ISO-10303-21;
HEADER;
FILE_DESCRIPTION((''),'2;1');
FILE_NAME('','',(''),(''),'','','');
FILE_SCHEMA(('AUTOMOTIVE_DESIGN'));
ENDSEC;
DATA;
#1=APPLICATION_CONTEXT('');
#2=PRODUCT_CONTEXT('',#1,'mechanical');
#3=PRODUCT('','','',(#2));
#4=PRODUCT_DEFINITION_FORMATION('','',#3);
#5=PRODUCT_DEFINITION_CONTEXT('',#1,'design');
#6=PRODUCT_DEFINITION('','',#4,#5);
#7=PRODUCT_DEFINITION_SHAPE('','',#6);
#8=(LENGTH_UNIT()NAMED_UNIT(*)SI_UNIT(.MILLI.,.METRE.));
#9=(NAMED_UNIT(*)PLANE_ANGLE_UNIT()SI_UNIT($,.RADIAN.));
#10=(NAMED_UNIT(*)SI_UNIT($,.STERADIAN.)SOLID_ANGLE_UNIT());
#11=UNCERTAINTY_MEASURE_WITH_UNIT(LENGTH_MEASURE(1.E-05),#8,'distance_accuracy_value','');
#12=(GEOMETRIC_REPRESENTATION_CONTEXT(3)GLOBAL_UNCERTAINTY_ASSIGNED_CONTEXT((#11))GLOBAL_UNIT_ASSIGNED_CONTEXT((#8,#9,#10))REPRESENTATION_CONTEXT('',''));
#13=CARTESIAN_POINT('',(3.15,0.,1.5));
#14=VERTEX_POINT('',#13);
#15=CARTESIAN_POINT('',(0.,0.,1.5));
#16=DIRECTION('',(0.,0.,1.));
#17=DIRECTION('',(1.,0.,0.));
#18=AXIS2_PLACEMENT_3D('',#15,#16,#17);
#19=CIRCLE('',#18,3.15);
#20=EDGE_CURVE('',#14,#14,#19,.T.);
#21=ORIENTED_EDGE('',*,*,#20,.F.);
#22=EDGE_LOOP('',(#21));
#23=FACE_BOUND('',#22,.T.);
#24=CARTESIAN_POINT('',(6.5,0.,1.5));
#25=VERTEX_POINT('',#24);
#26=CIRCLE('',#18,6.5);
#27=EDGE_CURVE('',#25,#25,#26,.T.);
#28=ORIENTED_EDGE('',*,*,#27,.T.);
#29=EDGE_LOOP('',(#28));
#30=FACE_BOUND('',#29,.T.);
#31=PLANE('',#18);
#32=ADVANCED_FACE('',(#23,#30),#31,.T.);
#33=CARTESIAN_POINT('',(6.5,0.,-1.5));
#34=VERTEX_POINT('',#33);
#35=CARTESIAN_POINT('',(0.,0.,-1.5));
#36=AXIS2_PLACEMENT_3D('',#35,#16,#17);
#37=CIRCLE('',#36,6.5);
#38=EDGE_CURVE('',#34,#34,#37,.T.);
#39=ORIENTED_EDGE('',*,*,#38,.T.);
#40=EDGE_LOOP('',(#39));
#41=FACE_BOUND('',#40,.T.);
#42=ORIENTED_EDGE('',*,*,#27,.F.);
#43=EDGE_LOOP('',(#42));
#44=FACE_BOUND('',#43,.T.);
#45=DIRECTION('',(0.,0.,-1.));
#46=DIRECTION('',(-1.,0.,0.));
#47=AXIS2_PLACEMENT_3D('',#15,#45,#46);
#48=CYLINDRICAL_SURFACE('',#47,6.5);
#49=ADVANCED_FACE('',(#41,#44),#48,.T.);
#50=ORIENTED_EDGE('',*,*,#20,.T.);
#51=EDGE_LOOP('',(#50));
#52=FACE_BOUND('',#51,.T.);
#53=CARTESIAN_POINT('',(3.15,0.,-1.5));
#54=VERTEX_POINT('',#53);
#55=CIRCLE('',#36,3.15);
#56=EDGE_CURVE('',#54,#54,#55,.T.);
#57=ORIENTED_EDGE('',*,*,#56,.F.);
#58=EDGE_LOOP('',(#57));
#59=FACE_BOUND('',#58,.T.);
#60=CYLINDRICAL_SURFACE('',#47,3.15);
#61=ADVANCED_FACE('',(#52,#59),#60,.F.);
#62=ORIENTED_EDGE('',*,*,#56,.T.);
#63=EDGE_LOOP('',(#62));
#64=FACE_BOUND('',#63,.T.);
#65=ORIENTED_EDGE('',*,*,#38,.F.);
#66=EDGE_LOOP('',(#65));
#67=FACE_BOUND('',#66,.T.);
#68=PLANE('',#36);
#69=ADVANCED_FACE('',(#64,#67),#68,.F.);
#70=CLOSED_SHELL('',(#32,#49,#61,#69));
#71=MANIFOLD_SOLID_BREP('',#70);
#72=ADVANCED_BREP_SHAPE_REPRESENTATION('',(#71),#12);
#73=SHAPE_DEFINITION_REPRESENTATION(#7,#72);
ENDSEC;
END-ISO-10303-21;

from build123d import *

# Parameters (mm, degrees)
SKETCH1_R      = 6.5
SKETCH1_R_2    = 3.15
EXTRUDE1_DEPTH = 1.5


with BuildPart() as part:
    # Sketch1 → Extrude1 (new body, symmetric)
    with BuildSketch(Plane.XY):
        Circle(SKETCH1_R)
        Circle(SKETCH1_R_2, mode=Mode.SUBTRACT)
    extrude(amount=EXTRUDE1_DEPTH, both=True)


solid = part.part
